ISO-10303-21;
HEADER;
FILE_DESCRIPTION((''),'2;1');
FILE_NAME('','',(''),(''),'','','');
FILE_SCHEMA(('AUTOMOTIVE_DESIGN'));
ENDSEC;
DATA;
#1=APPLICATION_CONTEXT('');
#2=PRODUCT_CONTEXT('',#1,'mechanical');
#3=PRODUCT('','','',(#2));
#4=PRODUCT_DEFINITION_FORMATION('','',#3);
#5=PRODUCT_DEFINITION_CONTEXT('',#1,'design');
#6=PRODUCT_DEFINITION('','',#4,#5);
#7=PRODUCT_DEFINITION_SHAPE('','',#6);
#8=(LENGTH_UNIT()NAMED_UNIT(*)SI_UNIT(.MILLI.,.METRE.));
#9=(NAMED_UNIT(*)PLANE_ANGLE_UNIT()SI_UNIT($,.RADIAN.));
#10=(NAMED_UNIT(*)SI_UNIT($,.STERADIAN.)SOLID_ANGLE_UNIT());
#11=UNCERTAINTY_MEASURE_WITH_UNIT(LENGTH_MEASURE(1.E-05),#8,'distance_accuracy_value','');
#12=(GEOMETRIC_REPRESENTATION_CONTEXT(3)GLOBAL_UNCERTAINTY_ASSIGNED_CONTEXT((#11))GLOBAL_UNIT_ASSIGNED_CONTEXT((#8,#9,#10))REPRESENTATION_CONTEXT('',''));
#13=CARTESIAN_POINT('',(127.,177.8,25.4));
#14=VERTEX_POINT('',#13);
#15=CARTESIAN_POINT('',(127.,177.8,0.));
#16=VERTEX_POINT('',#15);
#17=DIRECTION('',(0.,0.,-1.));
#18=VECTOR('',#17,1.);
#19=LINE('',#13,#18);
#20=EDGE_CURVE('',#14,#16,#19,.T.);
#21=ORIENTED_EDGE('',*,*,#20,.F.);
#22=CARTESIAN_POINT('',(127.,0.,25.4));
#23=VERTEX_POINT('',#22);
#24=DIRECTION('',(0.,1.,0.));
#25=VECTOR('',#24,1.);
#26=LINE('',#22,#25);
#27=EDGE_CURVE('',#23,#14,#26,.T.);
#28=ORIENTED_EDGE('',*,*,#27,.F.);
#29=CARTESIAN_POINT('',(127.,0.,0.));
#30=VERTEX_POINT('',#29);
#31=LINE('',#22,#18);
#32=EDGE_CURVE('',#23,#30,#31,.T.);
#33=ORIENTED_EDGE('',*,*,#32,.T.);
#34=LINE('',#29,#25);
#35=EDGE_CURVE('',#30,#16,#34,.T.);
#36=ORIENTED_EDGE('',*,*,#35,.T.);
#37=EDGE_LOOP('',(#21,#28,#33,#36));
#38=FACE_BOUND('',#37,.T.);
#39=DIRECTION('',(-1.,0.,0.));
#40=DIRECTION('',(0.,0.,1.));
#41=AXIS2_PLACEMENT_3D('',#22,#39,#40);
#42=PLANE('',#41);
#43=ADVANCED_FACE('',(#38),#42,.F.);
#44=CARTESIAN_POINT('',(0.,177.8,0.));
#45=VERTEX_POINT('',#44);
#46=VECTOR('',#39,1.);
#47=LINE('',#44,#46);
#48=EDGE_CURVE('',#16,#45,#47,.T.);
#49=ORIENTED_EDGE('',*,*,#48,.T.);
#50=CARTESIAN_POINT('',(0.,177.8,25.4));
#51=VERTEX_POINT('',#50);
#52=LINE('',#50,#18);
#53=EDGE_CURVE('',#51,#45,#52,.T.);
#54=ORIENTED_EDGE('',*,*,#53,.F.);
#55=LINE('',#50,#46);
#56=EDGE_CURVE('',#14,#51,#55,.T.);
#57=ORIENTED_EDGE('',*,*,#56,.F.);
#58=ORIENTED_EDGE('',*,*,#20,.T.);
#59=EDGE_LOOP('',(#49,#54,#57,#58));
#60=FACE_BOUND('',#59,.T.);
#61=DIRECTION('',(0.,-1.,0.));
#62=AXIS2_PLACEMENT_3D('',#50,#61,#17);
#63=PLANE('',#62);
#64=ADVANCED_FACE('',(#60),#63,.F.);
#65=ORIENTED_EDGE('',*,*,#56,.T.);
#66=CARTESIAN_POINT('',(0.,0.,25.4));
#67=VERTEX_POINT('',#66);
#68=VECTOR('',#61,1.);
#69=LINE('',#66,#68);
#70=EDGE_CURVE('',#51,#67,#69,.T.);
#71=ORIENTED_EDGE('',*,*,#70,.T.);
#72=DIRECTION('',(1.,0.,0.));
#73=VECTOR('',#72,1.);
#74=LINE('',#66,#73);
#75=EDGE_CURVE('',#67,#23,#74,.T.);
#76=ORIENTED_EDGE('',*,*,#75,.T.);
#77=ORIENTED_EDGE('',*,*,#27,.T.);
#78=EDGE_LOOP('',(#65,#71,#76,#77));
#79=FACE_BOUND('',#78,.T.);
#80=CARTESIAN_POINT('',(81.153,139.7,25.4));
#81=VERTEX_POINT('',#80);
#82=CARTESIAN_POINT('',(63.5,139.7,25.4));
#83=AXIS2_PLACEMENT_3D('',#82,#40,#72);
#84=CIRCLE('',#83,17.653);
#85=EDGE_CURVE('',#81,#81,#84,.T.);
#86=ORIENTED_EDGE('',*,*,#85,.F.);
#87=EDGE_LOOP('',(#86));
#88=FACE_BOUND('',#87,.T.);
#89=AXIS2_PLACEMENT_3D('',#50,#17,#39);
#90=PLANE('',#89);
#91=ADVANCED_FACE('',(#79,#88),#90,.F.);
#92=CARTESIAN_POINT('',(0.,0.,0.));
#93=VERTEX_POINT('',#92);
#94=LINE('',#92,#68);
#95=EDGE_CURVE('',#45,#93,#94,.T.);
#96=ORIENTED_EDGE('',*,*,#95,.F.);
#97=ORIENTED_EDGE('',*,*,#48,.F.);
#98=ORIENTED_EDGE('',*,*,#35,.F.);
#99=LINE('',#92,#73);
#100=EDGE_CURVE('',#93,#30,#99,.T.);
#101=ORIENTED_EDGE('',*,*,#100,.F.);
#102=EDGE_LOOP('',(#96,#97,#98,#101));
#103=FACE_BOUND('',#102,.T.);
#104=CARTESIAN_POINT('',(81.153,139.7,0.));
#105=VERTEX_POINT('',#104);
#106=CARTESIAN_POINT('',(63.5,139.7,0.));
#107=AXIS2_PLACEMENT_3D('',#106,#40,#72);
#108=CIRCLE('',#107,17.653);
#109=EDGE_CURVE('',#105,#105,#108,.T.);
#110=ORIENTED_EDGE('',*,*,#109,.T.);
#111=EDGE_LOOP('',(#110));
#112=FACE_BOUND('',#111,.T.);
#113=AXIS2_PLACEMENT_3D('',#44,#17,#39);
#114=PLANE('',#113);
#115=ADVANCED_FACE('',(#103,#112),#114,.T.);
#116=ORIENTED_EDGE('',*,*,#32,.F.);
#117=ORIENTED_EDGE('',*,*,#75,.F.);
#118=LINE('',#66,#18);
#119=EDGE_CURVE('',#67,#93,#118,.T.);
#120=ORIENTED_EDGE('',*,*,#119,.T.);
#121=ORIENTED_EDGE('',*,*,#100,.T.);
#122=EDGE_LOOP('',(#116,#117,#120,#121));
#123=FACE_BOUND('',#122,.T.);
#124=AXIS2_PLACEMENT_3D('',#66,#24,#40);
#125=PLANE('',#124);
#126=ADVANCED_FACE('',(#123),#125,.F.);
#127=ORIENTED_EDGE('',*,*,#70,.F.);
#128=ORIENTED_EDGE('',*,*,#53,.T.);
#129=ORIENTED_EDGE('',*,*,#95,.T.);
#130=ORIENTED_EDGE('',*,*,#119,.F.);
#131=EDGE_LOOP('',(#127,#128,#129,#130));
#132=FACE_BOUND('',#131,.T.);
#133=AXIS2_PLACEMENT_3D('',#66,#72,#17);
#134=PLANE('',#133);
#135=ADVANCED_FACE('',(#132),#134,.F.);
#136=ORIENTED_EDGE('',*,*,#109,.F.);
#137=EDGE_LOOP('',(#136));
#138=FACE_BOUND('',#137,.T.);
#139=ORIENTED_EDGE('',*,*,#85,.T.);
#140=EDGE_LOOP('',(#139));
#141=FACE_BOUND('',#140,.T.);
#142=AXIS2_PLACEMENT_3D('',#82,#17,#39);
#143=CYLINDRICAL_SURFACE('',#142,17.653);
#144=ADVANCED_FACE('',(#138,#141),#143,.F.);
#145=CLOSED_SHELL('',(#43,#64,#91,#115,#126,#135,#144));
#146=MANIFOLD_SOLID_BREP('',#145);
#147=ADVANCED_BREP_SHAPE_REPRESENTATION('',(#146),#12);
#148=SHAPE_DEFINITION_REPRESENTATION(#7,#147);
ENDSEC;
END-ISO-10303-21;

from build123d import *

# Parameters (mm, degrees)
SKETCH1_W          = 127
SKETCH1_H          = 177.8
SKETCH1_R          = 17.653
BASE_EXTRUDE_DEPTH = 25.4


with BuildPart() as part:
    # Sketch1 → Base-Extrude (new body)
    with BuildSketch(Plane.XY):
        with Locations((63.5, 88.9)):
            Rectangle(SKETCH1_W, SKETCH1_H)
        with Locations((63.5, 139.7)):
            Circle(SKETCH1_R, mode=Mode.SUBTRACT)
    extrude(amount=BASE_EXTRUDE_DEPTH)


solid = part.part
